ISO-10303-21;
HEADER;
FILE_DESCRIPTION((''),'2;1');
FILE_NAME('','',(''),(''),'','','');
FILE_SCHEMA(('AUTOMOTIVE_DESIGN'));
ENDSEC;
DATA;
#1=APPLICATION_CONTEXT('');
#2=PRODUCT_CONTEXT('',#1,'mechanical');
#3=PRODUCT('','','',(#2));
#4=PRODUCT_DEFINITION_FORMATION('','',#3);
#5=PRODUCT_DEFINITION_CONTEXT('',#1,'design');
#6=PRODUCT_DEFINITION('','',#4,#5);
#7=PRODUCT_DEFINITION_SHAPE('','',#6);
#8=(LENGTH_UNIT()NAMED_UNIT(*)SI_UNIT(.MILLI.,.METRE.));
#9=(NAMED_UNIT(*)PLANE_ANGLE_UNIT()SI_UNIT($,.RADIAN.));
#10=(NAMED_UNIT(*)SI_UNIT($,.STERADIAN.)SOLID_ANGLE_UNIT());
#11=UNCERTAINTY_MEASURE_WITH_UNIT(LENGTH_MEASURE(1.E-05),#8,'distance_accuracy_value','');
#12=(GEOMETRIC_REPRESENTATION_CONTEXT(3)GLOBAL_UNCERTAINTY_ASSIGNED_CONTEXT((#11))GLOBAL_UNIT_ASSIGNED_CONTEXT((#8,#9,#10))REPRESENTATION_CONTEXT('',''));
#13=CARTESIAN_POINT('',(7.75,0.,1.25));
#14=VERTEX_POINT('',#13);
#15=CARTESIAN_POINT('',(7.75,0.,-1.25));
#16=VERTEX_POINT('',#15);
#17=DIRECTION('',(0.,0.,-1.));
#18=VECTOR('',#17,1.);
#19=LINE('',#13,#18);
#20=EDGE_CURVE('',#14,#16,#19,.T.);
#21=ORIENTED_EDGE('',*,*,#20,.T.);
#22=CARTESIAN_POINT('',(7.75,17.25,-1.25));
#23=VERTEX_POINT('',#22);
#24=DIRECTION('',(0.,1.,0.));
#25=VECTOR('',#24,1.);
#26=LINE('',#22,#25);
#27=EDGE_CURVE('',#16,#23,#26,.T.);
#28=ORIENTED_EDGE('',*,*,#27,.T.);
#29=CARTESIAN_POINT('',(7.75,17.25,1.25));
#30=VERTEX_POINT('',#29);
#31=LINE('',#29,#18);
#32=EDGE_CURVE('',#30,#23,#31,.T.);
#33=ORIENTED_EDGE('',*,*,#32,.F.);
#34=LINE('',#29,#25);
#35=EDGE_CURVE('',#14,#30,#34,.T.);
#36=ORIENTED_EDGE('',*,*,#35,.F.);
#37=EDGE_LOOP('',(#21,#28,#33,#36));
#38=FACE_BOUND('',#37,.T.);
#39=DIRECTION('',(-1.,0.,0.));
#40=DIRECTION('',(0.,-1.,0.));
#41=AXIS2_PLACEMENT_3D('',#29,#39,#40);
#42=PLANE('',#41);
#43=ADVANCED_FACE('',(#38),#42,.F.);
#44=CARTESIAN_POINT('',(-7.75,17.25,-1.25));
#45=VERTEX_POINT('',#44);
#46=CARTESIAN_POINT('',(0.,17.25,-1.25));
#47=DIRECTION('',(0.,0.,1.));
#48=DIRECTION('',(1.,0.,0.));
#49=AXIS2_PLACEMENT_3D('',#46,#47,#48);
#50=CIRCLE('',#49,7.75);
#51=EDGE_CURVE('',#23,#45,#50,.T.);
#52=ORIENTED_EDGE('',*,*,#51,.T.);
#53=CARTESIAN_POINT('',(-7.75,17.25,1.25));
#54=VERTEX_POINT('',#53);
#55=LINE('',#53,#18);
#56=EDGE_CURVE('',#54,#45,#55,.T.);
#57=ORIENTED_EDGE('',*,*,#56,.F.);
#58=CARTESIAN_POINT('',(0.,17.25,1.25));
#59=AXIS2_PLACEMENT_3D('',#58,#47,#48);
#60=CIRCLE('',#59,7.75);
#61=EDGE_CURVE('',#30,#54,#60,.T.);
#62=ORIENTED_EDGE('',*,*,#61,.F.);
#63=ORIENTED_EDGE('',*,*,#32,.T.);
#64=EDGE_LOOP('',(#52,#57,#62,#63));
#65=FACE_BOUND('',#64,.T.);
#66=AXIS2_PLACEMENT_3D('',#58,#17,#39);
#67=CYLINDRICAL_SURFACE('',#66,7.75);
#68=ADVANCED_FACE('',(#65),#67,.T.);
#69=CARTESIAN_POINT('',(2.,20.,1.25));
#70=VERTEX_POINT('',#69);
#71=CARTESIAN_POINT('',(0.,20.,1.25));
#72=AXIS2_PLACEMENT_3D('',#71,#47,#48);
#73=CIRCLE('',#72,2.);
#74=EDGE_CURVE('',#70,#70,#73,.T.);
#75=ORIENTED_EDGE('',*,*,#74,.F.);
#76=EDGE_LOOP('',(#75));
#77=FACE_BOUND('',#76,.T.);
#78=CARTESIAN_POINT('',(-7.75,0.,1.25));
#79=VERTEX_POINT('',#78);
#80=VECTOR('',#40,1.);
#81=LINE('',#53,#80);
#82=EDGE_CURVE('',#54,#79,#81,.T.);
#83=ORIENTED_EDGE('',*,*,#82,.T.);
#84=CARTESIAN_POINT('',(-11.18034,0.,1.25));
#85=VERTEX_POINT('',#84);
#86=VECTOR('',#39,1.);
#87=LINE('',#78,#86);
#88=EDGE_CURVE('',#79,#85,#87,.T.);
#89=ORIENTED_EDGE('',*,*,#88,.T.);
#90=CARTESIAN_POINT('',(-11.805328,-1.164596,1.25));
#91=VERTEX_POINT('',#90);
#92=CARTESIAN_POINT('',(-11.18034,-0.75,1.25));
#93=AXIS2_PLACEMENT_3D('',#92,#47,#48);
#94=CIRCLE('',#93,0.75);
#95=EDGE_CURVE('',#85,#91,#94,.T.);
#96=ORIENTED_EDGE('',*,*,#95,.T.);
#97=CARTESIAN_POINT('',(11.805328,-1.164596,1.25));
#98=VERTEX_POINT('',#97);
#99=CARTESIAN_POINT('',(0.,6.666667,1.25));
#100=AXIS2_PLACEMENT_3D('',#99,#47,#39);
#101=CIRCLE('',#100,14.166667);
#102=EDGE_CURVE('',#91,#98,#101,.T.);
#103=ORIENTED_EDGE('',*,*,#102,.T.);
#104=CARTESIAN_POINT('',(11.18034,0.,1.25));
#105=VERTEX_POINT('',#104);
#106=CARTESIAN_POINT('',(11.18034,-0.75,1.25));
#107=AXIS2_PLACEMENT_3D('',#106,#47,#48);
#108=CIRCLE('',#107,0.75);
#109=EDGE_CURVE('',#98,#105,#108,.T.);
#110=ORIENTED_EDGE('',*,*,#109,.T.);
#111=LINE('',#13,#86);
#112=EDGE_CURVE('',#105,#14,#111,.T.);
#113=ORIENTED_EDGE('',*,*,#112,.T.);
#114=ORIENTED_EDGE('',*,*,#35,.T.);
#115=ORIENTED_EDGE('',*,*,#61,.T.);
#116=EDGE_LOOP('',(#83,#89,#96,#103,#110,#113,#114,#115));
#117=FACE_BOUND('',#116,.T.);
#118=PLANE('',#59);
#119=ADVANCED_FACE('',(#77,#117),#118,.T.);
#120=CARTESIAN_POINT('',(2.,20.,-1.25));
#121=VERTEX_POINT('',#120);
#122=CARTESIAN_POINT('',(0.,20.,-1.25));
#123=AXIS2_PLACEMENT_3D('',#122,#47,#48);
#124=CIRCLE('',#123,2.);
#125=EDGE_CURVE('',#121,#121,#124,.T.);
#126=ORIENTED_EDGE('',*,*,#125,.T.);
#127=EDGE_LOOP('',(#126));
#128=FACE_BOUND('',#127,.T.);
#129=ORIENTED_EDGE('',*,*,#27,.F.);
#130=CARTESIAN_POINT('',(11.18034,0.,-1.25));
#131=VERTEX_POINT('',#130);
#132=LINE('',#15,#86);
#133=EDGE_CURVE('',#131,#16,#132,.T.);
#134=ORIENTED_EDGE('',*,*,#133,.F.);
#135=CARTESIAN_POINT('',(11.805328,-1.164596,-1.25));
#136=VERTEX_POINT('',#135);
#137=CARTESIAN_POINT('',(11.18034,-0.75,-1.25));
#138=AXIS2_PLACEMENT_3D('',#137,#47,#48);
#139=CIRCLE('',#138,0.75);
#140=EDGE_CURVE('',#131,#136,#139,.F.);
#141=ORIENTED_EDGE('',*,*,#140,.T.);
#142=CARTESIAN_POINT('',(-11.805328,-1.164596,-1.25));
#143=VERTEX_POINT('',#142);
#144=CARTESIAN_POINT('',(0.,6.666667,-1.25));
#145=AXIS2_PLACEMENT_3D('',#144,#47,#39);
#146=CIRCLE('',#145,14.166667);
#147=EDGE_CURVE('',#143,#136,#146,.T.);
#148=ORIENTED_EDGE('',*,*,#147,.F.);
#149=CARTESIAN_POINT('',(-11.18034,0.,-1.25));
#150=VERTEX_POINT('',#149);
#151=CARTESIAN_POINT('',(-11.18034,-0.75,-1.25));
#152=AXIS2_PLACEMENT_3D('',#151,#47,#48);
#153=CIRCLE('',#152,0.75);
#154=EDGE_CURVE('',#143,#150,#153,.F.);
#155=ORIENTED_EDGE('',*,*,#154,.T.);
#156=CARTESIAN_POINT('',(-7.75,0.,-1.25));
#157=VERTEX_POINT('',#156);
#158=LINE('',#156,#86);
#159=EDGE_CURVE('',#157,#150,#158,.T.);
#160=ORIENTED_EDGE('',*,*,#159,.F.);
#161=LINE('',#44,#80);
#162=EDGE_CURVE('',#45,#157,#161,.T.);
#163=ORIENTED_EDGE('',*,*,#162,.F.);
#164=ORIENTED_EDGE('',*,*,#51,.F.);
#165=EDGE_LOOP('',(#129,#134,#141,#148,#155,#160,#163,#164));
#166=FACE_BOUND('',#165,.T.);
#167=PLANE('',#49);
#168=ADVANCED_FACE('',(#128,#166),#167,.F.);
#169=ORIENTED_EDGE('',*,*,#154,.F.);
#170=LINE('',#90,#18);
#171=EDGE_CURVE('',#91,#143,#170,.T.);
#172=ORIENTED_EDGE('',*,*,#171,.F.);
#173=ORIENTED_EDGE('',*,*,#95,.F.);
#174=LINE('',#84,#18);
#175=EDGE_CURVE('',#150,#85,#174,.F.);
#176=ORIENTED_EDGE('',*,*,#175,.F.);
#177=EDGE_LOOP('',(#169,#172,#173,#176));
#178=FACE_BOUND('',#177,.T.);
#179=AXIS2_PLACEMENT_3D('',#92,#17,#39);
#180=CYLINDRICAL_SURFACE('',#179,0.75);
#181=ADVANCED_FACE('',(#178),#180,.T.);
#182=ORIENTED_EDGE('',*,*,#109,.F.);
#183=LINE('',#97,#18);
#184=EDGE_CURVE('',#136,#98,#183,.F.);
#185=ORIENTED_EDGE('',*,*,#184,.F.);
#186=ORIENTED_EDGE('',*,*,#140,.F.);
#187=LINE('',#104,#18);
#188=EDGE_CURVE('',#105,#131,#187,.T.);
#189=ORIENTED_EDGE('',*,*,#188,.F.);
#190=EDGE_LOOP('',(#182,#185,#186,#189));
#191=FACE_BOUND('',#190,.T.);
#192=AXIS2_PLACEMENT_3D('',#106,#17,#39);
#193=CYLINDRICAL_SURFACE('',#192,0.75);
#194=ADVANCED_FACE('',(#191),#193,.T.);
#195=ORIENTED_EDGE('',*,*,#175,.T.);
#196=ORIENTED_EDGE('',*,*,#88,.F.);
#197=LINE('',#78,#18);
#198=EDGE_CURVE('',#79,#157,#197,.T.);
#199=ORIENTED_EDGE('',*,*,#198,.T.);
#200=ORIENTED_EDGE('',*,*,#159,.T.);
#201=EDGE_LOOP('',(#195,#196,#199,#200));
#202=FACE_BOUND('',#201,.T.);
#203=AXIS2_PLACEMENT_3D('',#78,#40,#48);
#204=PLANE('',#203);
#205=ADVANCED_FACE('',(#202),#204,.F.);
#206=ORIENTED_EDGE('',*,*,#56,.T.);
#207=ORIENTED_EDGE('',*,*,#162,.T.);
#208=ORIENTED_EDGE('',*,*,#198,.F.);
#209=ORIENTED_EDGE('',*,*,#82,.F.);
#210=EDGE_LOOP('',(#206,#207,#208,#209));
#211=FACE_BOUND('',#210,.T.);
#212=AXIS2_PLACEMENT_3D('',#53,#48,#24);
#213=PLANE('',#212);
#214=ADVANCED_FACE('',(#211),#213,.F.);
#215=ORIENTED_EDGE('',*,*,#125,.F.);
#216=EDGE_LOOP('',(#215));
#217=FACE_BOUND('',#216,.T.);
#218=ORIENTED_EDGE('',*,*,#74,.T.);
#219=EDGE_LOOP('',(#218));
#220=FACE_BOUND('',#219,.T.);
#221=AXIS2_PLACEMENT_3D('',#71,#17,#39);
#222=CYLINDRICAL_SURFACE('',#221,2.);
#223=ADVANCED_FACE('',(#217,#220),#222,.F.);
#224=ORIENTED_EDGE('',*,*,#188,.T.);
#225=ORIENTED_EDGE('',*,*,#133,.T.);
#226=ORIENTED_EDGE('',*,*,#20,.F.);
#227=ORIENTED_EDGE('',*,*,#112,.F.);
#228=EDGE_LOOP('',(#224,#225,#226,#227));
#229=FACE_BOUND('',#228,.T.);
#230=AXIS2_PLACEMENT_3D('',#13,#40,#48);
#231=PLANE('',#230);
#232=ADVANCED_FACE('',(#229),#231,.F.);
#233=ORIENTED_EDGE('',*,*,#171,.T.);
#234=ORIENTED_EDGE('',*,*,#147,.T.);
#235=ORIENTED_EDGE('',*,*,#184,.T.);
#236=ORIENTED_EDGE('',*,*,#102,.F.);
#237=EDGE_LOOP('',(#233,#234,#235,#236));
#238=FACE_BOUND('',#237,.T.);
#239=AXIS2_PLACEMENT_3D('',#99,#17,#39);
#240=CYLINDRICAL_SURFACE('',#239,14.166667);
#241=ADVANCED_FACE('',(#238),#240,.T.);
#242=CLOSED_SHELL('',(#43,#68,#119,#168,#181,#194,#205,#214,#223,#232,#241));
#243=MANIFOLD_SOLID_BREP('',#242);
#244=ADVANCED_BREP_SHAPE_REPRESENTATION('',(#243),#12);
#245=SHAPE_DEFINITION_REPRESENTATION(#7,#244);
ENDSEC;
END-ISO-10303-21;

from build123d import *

# Parameters (mm, degrees)
SKETCH1_R           = 2
BOSS_EXTRUDE1_DEPTH = 1.25
FILLET1_R           = 0.75


with BuildPart() as part:
    # Sketch1 → Boss-Extrude1 (new, symmetric)
    with BuildSketch(Plane.XY):
        with BuildLine():
            Line((7.75, 17.25), (7.75, 0))
            Line((7.75, 0), (12.5, 0))
            ThreePointArc((12.5, 0), (0, -7.5), (-12.5, 0))
            Line((-12.5, 0), (-7.75, 0))
            Line((-7.75, 0), (-7.75, 17.25))
            ThreePointArc((-7.75, 17.25), (0, 25), (7.75, 17.25))
        make_face()
        with Locations((0, 20)):
            Circle(SKETCH1_R, mode=Mode.SUBTRACT)
    extrude(amount=BOSS_EXTRUDE1_DEPTH, both=True)

    # Fillet1
    fillet1_edges = [part.edges().sort_by_distance(p)[0] for p in [
        (12.5, 0, 0),
        (-12.5, 0, 0),
    ]]
    fillet(fillet1_edges, radius=FILLET1_R)


solid = part.part
